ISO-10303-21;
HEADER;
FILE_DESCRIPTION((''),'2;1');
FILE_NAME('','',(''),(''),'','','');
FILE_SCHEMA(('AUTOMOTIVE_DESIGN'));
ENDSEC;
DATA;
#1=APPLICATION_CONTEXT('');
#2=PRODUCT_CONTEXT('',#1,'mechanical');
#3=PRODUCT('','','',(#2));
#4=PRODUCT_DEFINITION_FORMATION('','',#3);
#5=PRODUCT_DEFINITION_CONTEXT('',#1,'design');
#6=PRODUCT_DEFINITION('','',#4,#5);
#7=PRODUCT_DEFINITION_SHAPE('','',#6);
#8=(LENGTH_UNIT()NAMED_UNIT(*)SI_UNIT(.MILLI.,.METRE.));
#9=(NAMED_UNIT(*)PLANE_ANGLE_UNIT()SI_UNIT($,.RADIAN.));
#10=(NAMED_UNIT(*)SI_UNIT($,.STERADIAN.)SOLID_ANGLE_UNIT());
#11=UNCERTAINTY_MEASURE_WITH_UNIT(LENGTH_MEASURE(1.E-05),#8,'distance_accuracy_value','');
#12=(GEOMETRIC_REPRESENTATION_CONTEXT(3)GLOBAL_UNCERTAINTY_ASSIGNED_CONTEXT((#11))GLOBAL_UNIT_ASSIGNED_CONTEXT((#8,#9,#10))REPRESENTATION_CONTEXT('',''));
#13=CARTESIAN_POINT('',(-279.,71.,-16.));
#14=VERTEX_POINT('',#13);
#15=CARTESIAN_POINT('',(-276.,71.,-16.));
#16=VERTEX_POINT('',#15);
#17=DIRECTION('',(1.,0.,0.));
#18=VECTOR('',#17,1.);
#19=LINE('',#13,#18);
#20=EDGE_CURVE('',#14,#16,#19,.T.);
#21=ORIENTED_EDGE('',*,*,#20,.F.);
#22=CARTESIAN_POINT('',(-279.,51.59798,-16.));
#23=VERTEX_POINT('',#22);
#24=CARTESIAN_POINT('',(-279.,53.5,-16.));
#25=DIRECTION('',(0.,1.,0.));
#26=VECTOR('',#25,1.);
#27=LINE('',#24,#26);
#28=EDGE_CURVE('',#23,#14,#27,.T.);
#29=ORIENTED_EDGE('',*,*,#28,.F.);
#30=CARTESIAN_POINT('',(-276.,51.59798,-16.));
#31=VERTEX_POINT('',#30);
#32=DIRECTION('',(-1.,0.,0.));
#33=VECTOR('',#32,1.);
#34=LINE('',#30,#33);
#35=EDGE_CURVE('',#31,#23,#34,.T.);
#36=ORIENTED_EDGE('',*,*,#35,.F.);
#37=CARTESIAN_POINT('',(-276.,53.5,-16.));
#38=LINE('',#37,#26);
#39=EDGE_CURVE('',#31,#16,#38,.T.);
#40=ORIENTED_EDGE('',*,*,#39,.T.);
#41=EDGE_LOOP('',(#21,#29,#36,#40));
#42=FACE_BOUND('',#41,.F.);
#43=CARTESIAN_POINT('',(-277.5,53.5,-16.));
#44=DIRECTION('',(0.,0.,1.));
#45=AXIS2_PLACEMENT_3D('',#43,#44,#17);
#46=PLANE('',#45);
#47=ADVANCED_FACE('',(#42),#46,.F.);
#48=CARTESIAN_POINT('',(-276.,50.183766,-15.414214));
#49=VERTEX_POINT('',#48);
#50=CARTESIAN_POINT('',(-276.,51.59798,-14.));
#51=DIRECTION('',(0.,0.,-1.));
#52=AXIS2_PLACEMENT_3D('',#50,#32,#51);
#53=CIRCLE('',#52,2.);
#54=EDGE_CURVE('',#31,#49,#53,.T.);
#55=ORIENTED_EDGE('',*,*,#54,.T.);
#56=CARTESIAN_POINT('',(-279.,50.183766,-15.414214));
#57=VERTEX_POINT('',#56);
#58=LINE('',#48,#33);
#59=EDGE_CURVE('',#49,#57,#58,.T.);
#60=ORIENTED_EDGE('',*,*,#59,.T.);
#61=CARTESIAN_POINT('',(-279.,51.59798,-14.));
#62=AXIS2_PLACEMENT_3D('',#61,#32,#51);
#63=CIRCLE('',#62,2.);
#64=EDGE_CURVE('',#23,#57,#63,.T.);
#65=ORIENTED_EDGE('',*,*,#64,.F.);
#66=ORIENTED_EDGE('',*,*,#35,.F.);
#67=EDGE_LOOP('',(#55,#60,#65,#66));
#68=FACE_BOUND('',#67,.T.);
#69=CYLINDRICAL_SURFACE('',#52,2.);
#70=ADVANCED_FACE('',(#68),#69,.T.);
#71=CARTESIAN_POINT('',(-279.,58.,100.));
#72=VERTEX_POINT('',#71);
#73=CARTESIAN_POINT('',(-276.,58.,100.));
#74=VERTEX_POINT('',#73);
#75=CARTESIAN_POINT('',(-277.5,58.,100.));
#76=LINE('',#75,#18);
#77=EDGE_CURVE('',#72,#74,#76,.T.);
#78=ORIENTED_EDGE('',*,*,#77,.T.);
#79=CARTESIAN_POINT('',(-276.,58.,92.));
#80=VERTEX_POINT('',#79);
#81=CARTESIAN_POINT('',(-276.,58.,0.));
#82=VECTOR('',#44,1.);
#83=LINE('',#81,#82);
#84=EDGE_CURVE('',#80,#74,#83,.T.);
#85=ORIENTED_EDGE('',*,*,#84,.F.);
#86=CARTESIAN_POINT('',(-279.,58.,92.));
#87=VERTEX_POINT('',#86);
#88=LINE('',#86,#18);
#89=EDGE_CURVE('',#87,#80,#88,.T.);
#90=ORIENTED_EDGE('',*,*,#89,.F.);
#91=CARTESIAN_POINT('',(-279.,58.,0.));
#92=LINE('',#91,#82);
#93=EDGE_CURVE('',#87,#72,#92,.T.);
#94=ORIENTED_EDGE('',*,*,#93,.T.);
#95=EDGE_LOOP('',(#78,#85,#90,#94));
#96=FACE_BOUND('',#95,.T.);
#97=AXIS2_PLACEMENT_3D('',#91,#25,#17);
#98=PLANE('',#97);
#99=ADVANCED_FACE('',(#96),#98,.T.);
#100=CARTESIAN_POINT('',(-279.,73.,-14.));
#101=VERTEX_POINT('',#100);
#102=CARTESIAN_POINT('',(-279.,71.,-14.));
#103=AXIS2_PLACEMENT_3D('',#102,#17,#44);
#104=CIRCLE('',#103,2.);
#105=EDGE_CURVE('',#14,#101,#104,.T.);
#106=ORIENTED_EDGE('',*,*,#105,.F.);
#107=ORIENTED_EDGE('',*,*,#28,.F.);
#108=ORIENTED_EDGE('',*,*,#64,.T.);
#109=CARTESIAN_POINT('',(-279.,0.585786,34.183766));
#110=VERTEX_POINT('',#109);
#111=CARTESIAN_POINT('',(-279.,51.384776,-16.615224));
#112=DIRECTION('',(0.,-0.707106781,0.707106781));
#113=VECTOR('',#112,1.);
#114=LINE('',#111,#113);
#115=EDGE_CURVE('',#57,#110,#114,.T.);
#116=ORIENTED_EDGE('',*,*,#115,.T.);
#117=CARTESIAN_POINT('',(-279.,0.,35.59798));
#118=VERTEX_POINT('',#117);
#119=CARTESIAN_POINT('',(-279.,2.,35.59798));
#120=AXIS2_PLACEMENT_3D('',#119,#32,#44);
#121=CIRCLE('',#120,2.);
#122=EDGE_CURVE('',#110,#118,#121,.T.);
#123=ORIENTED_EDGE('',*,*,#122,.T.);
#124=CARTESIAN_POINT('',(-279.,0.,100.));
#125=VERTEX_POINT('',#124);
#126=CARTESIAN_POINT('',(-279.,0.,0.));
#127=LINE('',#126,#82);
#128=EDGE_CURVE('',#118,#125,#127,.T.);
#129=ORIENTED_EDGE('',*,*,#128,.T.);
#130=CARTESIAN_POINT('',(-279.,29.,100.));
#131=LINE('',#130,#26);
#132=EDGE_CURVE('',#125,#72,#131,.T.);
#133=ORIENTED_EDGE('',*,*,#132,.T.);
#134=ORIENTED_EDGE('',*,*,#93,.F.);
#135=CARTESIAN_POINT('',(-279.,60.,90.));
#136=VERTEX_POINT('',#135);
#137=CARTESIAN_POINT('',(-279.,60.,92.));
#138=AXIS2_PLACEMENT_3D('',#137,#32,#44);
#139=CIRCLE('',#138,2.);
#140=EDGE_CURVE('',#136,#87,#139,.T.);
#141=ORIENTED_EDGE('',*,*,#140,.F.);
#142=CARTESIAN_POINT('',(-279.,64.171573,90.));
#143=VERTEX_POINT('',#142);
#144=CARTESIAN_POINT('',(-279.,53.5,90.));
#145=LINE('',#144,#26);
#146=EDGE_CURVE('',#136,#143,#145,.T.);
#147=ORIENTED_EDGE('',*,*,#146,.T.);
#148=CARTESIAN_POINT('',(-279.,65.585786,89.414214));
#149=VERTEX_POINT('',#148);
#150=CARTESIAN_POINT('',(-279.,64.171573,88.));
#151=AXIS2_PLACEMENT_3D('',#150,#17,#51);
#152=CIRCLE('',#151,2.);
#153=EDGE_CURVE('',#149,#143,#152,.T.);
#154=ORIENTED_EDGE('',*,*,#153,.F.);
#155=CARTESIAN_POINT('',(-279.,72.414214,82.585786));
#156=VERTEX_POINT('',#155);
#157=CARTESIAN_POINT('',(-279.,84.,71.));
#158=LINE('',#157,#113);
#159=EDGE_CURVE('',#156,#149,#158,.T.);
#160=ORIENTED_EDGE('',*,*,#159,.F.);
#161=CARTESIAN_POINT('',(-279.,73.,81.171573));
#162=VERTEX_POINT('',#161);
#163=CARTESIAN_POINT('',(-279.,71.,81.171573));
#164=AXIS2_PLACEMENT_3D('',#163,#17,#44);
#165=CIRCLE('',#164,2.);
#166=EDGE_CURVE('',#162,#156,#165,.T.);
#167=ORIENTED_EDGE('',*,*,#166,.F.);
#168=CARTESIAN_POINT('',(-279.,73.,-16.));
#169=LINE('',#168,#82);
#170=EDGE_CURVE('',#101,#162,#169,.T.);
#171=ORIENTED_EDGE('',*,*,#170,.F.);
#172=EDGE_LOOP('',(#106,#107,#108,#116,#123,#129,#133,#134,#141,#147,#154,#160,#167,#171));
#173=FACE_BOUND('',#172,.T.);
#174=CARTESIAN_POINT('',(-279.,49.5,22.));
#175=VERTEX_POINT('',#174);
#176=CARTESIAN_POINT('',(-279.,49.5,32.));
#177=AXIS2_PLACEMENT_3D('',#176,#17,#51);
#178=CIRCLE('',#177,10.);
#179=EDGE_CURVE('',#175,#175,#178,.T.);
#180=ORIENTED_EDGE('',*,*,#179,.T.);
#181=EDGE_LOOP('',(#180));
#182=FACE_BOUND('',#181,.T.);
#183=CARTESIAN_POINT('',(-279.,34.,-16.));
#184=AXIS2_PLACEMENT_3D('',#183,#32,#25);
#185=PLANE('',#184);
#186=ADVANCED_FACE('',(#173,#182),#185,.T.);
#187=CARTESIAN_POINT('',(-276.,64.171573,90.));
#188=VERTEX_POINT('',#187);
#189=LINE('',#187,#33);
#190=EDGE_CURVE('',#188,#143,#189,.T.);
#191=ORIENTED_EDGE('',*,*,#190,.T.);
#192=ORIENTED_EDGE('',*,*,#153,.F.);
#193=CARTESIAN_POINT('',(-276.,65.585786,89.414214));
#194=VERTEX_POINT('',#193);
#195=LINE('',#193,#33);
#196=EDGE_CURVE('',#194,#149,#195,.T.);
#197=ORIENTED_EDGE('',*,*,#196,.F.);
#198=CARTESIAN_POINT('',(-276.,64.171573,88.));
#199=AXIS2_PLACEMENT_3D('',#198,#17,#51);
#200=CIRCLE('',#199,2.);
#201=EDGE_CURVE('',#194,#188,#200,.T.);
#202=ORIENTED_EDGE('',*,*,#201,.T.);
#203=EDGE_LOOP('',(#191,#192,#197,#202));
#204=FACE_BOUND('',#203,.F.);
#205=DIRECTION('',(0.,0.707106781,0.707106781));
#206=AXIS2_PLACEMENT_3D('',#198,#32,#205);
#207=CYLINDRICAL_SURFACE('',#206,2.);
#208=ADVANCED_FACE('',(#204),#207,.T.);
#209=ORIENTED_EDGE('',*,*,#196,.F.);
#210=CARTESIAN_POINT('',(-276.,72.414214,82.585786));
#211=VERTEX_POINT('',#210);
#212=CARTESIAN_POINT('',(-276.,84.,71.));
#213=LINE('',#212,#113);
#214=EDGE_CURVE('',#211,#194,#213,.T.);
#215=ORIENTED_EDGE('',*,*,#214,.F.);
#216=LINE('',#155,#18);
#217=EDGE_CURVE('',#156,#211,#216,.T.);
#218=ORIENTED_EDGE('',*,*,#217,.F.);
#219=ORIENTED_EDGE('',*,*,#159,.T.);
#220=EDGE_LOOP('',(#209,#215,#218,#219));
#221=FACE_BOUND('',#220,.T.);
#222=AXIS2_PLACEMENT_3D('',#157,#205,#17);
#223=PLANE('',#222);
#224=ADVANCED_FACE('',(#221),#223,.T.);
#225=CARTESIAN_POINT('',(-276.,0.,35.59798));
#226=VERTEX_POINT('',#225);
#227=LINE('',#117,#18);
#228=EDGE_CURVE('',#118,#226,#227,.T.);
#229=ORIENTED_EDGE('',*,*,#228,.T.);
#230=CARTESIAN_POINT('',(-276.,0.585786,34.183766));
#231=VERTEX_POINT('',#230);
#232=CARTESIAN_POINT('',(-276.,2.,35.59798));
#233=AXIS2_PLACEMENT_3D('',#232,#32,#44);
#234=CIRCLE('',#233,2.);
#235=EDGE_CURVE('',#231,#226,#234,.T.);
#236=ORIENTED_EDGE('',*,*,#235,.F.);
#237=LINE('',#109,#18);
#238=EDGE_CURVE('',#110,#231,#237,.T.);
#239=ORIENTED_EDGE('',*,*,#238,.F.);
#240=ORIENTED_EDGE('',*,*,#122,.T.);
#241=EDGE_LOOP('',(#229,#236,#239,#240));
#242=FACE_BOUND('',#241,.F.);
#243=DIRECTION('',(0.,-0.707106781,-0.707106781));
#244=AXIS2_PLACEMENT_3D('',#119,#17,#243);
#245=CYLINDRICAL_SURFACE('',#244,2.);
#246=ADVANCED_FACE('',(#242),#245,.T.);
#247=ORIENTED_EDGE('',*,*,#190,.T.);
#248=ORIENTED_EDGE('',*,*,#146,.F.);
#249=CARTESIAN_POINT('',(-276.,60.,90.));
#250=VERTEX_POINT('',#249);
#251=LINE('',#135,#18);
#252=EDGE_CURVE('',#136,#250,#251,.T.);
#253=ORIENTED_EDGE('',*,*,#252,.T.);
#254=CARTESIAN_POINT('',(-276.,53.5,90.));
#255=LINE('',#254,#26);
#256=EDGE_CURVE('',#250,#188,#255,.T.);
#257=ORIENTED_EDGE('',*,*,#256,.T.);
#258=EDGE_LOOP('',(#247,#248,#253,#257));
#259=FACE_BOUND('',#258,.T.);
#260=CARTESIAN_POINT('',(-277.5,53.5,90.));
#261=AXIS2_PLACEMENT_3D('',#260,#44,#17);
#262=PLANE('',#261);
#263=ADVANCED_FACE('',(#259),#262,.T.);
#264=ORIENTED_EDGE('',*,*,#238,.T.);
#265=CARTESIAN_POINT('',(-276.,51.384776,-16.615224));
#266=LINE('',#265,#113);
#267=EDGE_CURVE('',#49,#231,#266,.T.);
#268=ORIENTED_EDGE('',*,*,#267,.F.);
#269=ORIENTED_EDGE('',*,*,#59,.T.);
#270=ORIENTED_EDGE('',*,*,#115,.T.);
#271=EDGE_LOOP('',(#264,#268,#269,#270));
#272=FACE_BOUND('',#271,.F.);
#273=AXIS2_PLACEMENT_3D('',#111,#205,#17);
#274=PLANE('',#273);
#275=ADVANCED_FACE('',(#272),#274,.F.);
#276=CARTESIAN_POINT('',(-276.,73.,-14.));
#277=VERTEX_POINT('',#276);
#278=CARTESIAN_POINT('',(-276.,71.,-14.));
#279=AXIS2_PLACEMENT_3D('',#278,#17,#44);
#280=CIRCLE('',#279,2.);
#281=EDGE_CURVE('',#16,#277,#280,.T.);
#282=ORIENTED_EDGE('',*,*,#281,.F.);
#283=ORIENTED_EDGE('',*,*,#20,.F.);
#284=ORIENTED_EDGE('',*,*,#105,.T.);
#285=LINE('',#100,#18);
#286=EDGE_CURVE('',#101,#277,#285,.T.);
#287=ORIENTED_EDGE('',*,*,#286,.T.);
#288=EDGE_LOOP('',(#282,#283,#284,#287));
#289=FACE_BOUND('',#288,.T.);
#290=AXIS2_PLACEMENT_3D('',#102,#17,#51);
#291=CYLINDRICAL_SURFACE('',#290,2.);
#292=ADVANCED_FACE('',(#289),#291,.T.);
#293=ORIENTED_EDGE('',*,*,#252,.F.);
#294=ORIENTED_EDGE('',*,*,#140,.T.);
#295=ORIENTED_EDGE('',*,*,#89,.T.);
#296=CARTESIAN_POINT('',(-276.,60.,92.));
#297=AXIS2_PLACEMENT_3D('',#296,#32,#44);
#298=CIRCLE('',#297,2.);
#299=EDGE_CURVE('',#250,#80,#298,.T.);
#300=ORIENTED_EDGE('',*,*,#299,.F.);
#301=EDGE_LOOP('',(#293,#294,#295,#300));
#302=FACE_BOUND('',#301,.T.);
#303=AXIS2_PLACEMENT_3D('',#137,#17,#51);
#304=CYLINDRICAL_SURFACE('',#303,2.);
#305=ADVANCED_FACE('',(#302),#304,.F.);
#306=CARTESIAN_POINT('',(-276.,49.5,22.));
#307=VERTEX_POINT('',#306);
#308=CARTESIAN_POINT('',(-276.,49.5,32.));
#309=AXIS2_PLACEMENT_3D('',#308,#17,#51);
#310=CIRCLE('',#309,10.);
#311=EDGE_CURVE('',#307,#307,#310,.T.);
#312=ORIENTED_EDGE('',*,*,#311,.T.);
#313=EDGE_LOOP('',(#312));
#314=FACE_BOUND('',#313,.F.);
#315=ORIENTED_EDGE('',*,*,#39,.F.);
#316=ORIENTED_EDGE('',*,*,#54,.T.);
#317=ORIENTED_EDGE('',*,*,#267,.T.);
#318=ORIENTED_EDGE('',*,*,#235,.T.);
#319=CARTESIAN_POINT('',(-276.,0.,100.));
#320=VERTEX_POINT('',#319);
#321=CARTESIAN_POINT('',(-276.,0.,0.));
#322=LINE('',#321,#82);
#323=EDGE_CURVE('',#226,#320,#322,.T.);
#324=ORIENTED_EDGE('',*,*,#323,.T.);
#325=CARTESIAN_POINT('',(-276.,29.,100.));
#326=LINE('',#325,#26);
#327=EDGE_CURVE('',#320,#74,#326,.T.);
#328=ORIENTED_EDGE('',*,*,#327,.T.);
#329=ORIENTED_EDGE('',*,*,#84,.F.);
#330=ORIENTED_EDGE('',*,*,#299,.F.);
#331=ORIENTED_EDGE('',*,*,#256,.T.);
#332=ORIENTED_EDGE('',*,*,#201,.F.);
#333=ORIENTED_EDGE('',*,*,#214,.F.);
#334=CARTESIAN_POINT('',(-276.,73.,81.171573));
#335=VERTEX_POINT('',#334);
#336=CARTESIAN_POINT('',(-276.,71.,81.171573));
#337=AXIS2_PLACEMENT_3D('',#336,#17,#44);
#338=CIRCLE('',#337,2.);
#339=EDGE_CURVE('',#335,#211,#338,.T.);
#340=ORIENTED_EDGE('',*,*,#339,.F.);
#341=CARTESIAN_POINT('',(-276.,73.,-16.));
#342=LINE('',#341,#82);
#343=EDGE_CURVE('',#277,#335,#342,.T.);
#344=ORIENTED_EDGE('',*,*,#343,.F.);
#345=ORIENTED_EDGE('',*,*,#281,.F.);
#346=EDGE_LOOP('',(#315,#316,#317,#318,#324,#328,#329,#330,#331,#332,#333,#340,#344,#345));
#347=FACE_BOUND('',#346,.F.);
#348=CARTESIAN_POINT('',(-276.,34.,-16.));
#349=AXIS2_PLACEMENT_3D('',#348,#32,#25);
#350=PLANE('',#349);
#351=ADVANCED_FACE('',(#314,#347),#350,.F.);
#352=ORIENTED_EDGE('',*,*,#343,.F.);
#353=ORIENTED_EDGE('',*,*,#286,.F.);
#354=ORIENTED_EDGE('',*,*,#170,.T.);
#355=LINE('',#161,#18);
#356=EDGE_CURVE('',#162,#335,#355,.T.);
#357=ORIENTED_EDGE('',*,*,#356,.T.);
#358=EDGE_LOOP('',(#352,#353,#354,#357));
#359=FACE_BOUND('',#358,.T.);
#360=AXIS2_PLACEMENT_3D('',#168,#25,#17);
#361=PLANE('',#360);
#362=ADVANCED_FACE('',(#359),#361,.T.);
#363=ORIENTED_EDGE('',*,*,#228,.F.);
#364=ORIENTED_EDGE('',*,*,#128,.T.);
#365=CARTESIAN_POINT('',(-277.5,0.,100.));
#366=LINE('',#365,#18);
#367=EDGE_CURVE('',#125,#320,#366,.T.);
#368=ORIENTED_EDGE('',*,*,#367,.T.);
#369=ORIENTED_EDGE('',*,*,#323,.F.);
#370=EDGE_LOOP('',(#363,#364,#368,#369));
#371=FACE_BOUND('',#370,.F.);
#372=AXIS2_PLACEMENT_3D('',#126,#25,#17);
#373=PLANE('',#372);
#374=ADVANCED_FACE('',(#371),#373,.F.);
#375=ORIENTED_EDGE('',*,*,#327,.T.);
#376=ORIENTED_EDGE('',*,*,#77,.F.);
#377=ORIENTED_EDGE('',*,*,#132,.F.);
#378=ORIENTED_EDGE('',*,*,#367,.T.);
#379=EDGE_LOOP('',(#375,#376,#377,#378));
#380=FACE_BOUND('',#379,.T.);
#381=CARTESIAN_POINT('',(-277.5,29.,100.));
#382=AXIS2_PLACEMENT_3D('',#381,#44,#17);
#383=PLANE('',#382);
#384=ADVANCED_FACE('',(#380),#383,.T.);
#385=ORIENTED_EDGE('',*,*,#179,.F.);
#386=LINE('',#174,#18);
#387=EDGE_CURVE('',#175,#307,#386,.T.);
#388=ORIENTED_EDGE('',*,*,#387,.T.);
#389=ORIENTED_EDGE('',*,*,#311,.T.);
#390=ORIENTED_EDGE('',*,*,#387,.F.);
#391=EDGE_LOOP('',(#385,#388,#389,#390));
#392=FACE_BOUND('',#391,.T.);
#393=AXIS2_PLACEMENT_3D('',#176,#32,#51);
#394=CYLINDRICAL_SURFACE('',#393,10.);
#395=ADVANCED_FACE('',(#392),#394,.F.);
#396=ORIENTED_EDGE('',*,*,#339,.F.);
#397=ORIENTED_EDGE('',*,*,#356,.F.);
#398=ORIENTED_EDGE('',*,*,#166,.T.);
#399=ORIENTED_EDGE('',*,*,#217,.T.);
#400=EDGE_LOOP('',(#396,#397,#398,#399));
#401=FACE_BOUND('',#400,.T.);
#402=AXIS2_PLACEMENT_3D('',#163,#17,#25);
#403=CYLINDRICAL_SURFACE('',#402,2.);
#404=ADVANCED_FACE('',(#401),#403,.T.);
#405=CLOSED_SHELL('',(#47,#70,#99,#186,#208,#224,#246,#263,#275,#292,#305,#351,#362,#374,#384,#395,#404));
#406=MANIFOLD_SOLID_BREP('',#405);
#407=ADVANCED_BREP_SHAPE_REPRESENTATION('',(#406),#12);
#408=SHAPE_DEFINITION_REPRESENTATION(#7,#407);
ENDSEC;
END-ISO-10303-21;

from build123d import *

# Parameters (mm, degrees)
CYLINDER012029001057_R       = 10
CYLINDER012029001057_DEPTH   = 3
BOX015001045_W               = 3
BOX015001045_H               = 12
BOX015001045_DEPTH           = 27
BOX015001045_PLACEMENT_ANGLE = 45
BOX015001046_W               = 3
BOX015001046_H               = 26
BOX015001046_DEPTH           = 76
BOX015001046_PLACEMENT_ANGLE = 45
BOX015001044_W               = 3
BOX015001044_H               = 39
BOX015001044_DEPTH           = 106
BOX015001042_W               = 3
BOX015001042_H               = 58
BOX015001042_DEPTH           = 100
FILLET004002003_R            = 2


with BuildPart() as cylinder012029001047:
    # Cylinder012029001057 → Cylinder012029001057 (new body)
    with BuildSketch(Plane(origin=(-279, 49.5, 32), x_dir=(0, 0, -1), z_dir=(1, 0, 0))):
        Circle(CYLINDER012029001057_R)
    extrude(amount=CYLINDER012029001057_DEPTH)


with BuildPart() as cube041:
    # Box015001045 → Box015001045 (new body)
    with BuildSketch(Plane.XY):
        with Locations((1.5, 6)):
            Rectangle(BOX015001045_W, BOX015001045_H)
    extrude(amount=BOX015001045_DEPTH)


with BuildPart() as cube041_1:
    # Box015001045 placement: moved
    add(cube041.part.moved(Location((-279, 84, 71))).rotate(Axis((-279, 84, 71), (1, 0, 0)), BOX015001045_PLACEMENT_ANGLE))


with BuildPart() as cube042:
    # Box015001046 → Box015001046 (new body)
    with BuildSketch(Plane.XY):
        with Locations((1.5, 13)):
            Rectangle(BOX015001046_W, BOX015001046_H)
    extrude(amount=BOX015001046_DEPTH)


with BuildPart() as cube042_1:
    # Box015001046 placement: moved
    add(cube042.part.moved(Location((-279, 33, -35))).rotate(Axis((-279, 33, -35), (1, 0, 0)), BOX015001046_PLACEMENT_ANGLE))


with BuildPart() as cube040:
    # Box015001044 → Box015001044 (new body)
    with BuildSketch(Plane(origin=(-279, 34, -16), x_dir=(1, 0, 0), z_dir=(0, 0, 1))):
        with Locations((1.5, 19.5)):
            Rectangle(BOX015001044_W, BOX015001044_H)
    extrude(amount=BOX015001044_DEPTH)


with BuildPart() as fillet004002003:
    # Box015001042 → Box015001042 (new body)
    with BuildSketch(Plane(origin=(-279, 0, 0), x_dir=(1, 0, 0), z_dir=(0, 0, 1))):
        with Locations((1.5, 29)):
            Rectangle(BOX015001042_W, BOX015001042_H)
    extrude(amount=BOX015001042_DEPTH)

    # Fusion001019007002: union Cube040
    add(cube040.part)

    # Cut003049: cut Cube042
    add(cube042_1.part, mode=Mode.SUBTRACT)

    # Cut003050: cut Cube041
    add(cube041_1.part, mode=Mode.SUBTRACT)

    # Cut003051: cut Cylinder012029001047
    add(cylinder012029001047.part, mode=Mode.SUBTRACT)

    # Fillet004002003
    fillet004002003_edges = [fillet004002003.edges().sort_by_distance(p)[0] for p in [
        (-277.5, 58, 90),
        (-277.5, 0, 34.769553),
        (-277.5, 50.769553, -16),
        (-277.5, 65, 90),
        (-277.5, 73, -16),
        (-277.5, 73, 82),
    ]]
    fillet(fillet004002003_edges, radius=FILLET004002003_R)


solid = fillet004002003.part
